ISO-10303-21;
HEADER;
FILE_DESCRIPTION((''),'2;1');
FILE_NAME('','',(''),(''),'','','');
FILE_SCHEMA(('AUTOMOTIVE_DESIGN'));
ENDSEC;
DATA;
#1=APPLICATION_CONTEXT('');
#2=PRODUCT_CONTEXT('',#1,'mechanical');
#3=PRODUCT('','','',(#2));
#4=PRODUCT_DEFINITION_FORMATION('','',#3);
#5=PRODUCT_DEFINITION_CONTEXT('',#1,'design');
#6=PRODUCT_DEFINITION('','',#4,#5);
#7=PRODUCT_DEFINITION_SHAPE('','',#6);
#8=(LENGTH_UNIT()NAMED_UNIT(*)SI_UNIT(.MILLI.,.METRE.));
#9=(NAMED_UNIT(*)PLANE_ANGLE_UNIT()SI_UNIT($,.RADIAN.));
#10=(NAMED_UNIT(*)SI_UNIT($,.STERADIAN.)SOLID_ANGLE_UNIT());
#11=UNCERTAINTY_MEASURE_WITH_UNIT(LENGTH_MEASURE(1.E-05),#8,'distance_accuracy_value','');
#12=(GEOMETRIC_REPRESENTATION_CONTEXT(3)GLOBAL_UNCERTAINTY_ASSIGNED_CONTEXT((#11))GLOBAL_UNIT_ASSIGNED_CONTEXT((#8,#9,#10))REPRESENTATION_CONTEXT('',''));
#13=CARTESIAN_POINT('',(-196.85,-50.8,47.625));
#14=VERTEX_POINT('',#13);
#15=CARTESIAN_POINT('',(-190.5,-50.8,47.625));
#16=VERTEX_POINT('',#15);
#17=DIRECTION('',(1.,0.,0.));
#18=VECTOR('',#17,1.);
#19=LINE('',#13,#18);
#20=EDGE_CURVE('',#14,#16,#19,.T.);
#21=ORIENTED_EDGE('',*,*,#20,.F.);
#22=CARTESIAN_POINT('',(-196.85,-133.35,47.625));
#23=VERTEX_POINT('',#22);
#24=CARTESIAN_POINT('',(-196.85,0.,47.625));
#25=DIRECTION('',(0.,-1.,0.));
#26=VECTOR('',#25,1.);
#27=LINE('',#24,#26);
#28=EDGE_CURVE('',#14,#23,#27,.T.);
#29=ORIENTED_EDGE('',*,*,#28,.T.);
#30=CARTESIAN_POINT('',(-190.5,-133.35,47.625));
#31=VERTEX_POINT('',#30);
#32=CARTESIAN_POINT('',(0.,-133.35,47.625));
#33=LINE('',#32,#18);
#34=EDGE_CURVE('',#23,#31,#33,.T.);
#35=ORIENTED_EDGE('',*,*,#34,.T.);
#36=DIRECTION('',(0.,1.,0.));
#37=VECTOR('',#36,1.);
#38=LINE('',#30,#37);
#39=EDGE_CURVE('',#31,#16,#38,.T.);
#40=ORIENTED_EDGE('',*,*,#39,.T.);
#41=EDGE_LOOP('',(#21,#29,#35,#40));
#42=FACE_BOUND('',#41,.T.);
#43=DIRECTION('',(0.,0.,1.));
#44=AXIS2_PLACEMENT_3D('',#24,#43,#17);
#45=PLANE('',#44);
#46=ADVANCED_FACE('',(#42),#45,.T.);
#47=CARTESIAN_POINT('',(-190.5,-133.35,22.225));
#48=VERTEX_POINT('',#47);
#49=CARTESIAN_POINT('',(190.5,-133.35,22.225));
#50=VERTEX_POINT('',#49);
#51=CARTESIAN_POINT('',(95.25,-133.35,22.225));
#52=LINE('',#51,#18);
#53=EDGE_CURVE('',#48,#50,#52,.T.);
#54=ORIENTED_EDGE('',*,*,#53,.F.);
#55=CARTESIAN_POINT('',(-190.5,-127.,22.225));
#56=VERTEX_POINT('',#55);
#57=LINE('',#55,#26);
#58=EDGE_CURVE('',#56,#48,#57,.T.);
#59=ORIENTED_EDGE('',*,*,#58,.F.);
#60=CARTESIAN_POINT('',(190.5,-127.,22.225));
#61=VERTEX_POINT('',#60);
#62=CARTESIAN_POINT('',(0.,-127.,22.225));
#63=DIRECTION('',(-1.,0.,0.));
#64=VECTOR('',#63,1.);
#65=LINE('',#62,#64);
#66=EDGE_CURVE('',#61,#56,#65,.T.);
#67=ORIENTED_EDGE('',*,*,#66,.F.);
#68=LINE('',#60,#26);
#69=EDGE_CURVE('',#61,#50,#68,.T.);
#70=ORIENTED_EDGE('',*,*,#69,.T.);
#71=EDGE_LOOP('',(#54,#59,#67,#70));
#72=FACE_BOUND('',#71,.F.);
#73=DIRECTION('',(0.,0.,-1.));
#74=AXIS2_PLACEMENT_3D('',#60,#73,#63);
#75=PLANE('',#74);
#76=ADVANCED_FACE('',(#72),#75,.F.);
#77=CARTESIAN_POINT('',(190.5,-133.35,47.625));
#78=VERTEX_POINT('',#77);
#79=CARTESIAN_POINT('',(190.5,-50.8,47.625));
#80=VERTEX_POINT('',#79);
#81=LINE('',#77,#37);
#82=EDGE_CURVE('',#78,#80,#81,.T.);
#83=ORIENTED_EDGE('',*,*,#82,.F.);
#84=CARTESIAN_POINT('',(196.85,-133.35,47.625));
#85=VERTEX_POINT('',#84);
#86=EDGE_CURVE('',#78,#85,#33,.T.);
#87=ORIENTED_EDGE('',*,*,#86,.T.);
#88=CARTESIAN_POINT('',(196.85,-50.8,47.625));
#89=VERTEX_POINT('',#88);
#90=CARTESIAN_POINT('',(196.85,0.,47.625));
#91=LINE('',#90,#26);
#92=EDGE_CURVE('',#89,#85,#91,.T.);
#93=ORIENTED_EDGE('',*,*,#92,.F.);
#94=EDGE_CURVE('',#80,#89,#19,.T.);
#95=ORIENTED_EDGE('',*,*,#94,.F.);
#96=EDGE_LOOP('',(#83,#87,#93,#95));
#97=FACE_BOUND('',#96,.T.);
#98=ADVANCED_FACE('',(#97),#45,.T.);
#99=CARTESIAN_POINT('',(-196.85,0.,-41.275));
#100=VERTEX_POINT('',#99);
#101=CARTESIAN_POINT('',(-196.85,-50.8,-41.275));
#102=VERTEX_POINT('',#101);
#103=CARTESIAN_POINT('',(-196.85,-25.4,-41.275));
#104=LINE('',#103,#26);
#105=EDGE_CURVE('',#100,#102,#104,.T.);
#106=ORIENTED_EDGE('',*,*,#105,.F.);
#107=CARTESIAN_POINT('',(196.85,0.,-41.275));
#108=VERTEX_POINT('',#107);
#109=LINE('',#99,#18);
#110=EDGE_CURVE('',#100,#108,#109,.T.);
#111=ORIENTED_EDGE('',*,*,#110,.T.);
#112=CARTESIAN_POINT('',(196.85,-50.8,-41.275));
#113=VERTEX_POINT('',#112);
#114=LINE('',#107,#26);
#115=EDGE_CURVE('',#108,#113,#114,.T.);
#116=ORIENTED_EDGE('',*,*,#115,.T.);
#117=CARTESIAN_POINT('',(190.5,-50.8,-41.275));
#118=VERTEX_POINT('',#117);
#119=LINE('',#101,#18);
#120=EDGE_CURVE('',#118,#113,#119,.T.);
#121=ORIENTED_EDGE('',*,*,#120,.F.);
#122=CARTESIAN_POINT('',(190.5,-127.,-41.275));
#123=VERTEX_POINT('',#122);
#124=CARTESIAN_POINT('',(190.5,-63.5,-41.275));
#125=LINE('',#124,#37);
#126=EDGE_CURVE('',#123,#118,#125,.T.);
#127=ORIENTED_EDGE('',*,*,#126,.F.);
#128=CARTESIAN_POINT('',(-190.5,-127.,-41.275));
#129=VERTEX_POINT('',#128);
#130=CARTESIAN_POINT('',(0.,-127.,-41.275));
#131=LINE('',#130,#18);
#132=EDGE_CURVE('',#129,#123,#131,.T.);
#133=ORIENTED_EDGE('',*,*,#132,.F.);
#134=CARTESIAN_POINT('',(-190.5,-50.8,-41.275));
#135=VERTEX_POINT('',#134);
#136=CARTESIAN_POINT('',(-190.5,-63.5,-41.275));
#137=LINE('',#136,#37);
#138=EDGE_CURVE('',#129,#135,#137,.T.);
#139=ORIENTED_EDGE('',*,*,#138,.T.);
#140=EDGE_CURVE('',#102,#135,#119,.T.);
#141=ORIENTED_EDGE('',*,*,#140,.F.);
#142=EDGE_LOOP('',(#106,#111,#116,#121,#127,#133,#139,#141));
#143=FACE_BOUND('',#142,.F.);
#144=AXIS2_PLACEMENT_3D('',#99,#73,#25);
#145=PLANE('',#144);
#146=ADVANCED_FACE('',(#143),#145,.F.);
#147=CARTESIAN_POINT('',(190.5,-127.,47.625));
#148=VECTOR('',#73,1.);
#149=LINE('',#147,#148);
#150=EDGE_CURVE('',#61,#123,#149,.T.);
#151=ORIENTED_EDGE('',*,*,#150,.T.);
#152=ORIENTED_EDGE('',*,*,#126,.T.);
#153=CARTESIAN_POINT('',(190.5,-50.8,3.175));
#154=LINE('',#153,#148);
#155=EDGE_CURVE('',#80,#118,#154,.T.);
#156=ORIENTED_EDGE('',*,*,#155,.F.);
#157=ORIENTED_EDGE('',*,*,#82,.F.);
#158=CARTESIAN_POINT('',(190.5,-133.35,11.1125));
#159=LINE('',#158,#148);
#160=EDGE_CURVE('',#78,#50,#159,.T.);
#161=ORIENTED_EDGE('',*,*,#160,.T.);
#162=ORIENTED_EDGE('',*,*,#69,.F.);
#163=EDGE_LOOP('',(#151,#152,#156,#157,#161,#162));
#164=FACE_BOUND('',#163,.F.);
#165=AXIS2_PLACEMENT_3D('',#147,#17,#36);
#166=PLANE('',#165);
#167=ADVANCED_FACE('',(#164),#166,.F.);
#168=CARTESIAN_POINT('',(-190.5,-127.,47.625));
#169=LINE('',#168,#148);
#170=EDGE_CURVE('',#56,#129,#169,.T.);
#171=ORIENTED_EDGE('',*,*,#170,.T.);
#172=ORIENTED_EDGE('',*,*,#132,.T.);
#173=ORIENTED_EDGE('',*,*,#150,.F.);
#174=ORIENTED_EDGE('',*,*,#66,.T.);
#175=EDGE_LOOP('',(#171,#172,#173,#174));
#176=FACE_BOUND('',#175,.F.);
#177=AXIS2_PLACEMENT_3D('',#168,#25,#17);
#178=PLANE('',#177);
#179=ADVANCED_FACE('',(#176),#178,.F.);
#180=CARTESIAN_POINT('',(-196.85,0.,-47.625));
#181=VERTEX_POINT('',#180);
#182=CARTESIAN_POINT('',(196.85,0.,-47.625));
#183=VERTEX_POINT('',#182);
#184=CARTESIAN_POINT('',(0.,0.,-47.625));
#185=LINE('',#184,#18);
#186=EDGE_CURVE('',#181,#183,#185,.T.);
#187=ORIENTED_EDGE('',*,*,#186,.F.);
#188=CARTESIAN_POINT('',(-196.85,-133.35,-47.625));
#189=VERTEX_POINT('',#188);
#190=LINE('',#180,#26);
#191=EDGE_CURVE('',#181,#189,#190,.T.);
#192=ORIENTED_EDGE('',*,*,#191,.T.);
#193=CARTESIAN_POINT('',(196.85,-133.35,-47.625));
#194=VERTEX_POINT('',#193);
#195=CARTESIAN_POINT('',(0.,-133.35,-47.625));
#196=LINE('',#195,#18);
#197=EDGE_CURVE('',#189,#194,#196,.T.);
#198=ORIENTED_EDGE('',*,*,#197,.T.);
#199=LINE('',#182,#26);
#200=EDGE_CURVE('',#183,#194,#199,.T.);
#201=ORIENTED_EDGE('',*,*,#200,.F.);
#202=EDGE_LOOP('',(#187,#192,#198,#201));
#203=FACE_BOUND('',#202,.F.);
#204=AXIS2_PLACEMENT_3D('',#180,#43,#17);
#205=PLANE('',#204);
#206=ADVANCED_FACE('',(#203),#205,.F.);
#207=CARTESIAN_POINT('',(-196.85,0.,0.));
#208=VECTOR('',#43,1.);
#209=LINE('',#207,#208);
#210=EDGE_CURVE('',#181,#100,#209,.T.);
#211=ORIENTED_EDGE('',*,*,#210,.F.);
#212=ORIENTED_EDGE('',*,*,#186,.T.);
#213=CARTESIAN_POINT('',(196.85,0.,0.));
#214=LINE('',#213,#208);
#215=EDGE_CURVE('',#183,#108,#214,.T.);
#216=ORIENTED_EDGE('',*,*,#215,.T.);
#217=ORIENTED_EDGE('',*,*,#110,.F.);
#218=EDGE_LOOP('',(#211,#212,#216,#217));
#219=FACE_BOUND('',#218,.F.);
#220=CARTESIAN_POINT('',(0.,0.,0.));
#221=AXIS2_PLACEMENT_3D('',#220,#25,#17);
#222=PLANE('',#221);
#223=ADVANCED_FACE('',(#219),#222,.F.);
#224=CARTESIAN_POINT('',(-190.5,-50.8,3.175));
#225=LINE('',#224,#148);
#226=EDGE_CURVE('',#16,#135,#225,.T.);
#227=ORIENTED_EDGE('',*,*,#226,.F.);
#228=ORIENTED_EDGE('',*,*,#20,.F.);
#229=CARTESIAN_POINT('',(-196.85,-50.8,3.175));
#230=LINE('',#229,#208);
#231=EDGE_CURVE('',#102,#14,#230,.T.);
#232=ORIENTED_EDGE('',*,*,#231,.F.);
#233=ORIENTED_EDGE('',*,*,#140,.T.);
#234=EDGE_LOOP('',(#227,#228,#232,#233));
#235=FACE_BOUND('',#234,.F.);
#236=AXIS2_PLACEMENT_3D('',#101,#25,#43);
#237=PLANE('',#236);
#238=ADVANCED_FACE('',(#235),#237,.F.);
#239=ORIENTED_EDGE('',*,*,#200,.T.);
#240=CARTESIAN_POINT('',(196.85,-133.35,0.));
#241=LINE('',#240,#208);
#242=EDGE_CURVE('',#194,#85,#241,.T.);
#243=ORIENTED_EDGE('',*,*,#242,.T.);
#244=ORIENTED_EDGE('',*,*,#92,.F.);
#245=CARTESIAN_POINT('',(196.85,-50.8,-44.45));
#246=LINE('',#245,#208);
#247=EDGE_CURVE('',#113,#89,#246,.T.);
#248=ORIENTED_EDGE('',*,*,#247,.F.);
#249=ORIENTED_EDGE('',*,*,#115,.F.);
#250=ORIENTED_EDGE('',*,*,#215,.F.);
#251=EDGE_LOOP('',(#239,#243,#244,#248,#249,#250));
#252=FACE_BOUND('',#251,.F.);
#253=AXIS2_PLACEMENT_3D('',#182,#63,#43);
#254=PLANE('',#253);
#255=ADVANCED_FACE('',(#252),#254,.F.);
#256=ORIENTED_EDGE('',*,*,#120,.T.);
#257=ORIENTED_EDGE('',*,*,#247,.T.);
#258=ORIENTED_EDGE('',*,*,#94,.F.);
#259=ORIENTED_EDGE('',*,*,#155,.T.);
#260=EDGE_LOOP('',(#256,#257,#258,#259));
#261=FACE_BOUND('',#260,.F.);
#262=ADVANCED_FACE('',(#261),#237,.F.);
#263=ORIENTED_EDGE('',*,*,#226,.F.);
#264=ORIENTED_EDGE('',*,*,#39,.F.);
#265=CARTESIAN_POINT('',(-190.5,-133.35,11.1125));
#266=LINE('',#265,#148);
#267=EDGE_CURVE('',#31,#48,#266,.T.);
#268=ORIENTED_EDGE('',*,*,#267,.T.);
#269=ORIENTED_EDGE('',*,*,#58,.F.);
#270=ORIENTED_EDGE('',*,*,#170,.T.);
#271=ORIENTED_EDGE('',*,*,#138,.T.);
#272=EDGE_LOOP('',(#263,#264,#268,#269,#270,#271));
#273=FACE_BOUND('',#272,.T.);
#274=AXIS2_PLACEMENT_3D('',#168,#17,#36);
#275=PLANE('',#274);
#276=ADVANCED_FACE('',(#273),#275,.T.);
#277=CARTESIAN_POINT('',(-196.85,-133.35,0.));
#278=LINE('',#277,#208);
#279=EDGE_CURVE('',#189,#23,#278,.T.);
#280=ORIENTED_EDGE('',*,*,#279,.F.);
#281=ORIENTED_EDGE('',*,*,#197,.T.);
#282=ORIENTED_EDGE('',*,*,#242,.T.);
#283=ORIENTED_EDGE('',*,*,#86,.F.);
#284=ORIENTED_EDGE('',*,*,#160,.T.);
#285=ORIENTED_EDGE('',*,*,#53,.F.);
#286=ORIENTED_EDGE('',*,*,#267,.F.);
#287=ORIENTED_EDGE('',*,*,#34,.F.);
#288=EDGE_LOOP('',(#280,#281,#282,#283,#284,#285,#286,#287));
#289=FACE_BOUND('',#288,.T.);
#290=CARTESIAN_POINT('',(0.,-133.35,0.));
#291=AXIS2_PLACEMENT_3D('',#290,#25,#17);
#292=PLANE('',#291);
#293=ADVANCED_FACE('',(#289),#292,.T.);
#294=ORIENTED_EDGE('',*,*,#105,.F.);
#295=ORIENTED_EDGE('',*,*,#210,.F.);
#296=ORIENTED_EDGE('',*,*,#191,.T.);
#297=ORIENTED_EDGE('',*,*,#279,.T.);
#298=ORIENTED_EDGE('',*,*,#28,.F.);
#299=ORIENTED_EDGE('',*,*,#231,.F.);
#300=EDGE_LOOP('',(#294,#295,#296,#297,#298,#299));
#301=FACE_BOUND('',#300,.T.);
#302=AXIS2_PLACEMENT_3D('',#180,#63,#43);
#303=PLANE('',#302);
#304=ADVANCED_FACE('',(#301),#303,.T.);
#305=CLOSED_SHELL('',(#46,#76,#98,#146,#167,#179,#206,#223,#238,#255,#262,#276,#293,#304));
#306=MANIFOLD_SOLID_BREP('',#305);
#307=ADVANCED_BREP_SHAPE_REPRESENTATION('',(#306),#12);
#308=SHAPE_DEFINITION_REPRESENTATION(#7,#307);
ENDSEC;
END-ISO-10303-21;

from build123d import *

# Parameters (mm, degrees)
F0_W     = 393.7
F0_H     = 95.25
F1_DEPTH = 133.35
F2_W     = 381
F2_H     = 127
F3_DEPTH = 88.9
F4_W     = 50.8
F4_H     = 88.9
F5_DEPTH = 406.4
F6_W     = 381
F6_H     = 25.4
F7_DEPTH = 25.4


with BuildPart() as f1:
    # F0 (on Front) → F1 (new body)
    with BuildSketch(Plane.XZ):
        Rectangle(F0_W, F0_H)
    extrude(amount=F1_DEPTH)

    # F2 (on face) → F3 (cut)
    with BuildSketch(Plane.XY.offset(47.625)):
        with Locations((0, -63.5)):
            Rectangle(F2_W, F2_H)
    extrude(amount=-F3_DEPTH, mode=Mode.SUBTRACT)

    # F4 (on face) → F5 (cut)
    with BuildSketch(Plane(origin=(-196.85, 0, 0), x_dir=(0, -1, 0), z_dir=(-1, 0, 0))):
        with Locations((25.4, 3.175)):
            Rectangle(F4_W, F4_H)
    extrude(amount=-F5_DEPTH, mode=Mode.SUBTRACT)

    # F6 (on face) → F7 (cut)
    with BuildSketch(Plane(origin=(0, -127, 0), x_dir=(-1, 0, 0), z_dir=(0, 1, 0))):
        with Locations((0, 34.925)):
            Rectangle(F6_W, F6_H)
    extrude(amount=-F7_DEPTH, mode=Mode.SUBTRACT)


solid = f1.part
